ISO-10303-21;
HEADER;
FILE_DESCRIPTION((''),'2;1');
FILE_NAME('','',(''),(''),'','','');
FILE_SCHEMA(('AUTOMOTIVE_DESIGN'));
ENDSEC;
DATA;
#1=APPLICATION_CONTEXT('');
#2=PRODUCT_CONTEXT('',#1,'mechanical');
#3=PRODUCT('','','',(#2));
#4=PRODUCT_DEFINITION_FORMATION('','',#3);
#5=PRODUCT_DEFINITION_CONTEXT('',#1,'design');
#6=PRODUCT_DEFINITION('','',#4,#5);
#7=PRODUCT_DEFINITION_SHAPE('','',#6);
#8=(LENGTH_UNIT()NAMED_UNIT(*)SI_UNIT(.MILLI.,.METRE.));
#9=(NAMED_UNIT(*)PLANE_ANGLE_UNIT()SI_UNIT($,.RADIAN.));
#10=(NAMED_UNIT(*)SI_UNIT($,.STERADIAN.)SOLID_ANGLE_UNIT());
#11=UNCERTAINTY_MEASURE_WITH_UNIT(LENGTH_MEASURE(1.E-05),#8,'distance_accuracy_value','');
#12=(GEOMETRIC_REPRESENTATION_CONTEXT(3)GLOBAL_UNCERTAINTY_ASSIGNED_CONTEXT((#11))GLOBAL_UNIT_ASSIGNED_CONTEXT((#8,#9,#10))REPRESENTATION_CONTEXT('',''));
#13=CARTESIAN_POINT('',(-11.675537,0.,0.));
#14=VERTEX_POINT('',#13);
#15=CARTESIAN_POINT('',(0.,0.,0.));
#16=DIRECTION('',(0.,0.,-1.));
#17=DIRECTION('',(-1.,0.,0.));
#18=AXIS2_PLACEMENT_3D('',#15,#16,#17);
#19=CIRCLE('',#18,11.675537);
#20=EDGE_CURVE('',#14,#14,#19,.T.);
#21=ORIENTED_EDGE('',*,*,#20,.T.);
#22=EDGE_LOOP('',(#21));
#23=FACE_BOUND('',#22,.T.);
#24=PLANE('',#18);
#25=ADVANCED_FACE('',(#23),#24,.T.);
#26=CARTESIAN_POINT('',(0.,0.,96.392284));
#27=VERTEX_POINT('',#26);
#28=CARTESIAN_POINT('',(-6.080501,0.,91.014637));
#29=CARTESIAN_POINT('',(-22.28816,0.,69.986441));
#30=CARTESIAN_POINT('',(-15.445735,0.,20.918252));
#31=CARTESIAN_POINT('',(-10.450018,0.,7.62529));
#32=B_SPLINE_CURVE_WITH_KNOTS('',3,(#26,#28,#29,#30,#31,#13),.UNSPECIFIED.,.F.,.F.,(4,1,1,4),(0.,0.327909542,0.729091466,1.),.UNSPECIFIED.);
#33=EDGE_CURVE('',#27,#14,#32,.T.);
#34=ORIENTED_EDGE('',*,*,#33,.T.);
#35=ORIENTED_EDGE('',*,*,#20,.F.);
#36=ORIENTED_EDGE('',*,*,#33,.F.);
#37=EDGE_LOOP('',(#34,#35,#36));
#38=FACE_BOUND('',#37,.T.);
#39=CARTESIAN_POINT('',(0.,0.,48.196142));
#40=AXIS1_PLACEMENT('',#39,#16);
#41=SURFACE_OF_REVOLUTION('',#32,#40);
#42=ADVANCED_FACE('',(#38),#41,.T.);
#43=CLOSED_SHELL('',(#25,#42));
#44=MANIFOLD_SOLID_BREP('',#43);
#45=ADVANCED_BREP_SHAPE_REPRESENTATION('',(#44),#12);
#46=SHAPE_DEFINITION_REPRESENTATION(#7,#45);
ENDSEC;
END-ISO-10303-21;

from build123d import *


with BuildPart() as f1:
    # F0 (on Front) → F1 (revolve)
    with BuildSketch(Plane.XZ):
        with BuildLine():
            Line((0, 0), (0, 96.3922842286))
            add(Edge.make_bspline(
                [(0, 96.3922842286), (-6.0805005186, 91.0146366874), (-22.2881599047, 69.9864414579), (-15.4457346094, 20.9182515268), (-10.4500178033, 7.625289715), (-11.6755372688, 0)],
                knots=[0, 0, 0, 0, 0.3279095417, 0.7290914664, 1, 1, 1, 1], degree=3))
            Line((-11.6755372688, 0), (0, 0))
        make_face()
    revolve(axis=Axis((0, 0, 48.1961421143), (0, 0, -1)))


solid = f1.part
